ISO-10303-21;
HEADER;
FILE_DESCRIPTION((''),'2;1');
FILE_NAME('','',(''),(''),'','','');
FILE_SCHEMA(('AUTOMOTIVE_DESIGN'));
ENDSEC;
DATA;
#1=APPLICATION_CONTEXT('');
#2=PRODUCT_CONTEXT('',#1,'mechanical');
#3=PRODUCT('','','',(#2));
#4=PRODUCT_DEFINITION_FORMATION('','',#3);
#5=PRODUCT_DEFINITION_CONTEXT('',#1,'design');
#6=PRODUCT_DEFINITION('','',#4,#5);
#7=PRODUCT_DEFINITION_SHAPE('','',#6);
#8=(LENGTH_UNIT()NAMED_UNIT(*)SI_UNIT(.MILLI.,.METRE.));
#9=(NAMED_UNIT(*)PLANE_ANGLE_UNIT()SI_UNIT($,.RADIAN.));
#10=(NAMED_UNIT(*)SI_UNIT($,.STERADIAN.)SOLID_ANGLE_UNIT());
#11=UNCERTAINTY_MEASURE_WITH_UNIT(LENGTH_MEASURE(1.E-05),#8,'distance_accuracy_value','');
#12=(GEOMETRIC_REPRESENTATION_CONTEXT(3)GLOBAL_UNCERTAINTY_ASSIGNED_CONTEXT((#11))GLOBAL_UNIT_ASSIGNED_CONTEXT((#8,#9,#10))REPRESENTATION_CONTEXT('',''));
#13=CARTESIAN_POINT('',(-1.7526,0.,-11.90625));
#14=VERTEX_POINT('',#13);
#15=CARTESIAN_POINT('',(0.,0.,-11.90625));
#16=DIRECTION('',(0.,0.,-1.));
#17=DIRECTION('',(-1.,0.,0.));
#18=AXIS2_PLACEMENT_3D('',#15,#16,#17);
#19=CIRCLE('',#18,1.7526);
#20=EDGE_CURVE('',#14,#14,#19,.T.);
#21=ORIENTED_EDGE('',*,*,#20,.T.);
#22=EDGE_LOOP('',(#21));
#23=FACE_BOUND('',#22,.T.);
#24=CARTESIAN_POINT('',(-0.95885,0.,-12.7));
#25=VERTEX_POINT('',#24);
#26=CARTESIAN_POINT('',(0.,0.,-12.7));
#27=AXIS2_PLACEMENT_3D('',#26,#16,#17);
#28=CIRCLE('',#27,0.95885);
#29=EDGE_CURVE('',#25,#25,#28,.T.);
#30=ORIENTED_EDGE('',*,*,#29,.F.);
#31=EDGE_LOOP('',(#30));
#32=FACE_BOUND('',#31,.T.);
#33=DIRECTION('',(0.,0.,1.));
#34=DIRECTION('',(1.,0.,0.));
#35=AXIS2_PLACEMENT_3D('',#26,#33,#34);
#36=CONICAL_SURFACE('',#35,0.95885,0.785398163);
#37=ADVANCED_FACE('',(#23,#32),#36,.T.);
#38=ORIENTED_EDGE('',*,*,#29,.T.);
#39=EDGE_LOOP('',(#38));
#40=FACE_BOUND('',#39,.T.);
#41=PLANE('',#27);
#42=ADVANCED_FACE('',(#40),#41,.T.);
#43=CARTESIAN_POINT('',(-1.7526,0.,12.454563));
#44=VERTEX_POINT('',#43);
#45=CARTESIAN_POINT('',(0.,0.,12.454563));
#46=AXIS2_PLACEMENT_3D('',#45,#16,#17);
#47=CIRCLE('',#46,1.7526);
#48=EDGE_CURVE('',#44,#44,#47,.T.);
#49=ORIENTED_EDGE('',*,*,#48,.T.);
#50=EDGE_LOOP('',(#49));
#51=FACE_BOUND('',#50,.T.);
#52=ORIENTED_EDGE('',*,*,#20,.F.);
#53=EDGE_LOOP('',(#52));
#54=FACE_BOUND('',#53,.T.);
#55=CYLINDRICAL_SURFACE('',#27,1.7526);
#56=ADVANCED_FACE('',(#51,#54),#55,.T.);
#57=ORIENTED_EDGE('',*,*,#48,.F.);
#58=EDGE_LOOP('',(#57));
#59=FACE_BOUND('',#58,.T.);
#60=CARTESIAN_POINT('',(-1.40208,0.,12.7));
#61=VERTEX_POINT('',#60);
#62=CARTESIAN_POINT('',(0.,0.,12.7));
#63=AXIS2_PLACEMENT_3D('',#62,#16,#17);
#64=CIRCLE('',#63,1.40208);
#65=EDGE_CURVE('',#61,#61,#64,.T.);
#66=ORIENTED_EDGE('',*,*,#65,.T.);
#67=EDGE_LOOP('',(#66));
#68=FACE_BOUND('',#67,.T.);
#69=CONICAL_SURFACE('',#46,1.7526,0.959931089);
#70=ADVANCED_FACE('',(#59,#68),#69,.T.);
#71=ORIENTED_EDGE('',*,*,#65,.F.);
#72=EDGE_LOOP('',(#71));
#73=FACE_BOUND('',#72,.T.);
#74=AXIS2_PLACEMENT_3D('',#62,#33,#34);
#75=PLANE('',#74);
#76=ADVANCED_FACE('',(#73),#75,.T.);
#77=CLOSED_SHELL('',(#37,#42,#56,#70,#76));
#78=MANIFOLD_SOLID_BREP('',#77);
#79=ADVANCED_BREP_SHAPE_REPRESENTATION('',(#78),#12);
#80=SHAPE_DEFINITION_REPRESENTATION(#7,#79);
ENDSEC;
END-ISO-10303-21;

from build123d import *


with BuildPart() as part:
    # Sketch22 → Revolve1 (revolve)
    with BuildSketch(Plane(origin=(0, 0, 0), x_dir=(0, 0, -1), z_dir=(1, 0, 0))):
        Polygon((-12.7, 0), (-12.7, 1.40208), (-12.454563254, 1.7526), (11.90625, 1.7526), (12.7, 0.95885), (12.7, 0), align=None)
    revolve(axis=Axis((0, 0, -12.7), (0, 0, 1)))


solid = part.part
